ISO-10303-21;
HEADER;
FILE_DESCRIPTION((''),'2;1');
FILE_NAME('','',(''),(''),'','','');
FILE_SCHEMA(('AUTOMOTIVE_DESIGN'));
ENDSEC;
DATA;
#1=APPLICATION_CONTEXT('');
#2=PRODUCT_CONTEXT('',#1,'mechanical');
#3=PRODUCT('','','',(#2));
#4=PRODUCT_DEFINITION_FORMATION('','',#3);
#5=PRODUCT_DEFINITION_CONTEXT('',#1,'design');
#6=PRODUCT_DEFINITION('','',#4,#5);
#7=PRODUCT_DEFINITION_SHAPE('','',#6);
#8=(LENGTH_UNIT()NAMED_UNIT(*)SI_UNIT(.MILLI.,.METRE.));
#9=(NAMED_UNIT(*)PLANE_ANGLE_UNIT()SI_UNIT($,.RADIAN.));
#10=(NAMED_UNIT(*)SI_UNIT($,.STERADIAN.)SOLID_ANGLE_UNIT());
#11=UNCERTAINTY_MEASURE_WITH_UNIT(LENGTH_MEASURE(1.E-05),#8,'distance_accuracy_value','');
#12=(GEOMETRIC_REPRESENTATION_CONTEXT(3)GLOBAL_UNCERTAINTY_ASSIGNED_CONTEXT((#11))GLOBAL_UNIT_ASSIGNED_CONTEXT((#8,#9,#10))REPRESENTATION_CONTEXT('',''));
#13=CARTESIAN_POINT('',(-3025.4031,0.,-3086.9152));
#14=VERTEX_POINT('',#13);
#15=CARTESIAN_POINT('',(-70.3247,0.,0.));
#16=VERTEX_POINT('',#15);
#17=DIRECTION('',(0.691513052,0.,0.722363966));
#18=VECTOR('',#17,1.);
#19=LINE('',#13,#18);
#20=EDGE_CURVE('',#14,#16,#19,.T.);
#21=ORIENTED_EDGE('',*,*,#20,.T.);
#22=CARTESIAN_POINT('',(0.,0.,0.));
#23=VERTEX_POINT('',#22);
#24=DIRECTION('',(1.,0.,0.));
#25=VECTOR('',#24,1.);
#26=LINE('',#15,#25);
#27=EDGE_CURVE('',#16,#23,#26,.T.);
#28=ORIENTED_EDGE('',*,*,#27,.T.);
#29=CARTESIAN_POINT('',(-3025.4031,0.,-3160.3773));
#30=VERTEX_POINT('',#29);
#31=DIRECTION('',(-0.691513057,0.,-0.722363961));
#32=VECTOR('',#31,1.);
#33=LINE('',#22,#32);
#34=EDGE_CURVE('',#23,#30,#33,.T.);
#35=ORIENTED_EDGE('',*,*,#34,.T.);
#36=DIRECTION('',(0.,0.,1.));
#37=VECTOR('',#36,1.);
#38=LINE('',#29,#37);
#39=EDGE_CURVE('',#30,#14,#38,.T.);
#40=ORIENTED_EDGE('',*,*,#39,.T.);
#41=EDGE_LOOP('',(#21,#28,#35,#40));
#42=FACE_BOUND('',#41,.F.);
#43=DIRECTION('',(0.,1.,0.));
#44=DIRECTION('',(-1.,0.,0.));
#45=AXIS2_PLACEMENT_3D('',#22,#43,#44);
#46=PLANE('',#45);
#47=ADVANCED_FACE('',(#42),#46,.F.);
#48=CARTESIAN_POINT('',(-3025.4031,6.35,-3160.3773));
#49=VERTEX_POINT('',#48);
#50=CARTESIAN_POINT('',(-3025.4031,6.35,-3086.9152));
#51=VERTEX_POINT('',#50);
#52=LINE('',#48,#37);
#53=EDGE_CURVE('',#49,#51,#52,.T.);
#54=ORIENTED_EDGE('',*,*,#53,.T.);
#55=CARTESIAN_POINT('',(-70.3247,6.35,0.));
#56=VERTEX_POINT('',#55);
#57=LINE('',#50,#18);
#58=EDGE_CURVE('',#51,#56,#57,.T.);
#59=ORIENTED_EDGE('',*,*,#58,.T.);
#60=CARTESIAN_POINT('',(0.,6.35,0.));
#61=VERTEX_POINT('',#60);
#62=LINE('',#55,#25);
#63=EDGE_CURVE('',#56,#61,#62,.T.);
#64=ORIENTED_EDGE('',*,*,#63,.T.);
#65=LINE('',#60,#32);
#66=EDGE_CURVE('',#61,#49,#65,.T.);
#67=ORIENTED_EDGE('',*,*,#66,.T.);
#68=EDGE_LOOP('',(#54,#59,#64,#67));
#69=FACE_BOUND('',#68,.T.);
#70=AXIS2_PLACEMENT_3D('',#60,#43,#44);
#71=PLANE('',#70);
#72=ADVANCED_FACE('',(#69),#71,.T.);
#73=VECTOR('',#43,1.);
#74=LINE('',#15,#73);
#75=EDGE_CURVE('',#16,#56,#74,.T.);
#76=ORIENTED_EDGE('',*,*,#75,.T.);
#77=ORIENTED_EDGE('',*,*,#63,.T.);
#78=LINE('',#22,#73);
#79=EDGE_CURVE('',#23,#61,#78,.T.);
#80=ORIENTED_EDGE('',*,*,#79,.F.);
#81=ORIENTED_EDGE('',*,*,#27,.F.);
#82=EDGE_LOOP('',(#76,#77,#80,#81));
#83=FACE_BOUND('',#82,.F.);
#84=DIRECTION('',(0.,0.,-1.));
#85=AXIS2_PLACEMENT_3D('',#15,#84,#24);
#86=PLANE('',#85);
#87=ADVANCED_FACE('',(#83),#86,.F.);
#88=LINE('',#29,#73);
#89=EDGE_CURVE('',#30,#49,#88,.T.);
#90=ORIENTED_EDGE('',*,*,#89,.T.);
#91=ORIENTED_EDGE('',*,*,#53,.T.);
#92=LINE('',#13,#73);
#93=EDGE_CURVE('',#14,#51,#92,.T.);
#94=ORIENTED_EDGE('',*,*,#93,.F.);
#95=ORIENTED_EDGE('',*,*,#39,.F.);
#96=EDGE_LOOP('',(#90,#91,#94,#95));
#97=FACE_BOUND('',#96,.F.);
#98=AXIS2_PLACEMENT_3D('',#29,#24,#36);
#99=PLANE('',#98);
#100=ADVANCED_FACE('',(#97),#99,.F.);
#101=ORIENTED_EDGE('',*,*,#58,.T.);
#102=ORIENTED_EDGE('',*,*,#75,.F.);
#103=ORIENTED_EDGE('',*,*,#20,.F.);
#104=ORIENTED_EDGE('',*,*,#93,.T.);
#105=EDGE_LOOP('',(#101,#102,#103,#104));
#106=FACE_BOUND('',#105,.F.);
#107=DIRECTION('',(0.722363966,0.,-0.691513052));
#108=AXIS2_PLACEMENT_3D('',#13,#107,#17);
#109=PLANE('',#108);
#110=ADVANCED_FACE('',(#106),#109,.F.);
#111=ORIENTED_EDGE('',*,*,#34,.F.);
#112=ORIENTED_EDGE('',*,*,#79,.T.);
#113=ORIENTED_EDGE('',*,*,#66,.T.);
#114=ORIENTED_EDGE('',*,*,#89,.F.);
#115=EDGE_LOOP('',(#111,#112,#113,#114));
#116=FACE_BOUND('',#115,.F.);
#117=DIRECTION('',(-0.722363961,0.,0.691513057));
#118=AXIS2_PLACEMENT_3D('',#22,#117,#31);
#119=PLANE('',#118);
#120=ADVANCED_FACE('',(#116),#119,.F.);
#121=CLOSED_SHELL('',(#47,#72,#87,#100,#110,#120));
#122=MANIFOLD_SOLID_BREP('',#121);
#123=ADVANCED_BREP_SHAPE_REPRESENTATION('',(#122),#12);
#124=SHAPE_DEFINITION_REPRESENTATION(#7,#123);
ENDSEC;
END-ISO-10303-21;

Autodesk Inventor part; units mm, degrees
ref_plane "YZ Plane" through (0, 0, 0) normal (1, 0, 0) x (0, 1, 0)
ref_plane "XZ Plane" through (0, 0, 0) normal (0, 1, 0) x (-1, 0, 0)
ref_plane "XY Plane" through (0, 0, 0) normal (0, 0, 1) x (1, 0, 0)
sketch "Sketch2" plane through (0, 0, 0) normal (0, 1, 0) x (-1, 0, 0)
  line L0 (0, 0) -> (3025.4031, -3160.3773)
  line L1 (3025.4031, -3160.3773) -> (3025.4031, -3086.9152)
  line L2 (3025.4031, -3086.9152) -> (70.3247, 0)
  line L3 (70.3247, 0) -> (0, 0)
  dimension "d12" = 50.8
  dimension "d13" = 136.25
  dimension "d14" = 4375.0484
extrude "Extrusion3" add sketch "Sketch2" along normal blind 6.35
properties part number "FE-00040-07_2_Red"
